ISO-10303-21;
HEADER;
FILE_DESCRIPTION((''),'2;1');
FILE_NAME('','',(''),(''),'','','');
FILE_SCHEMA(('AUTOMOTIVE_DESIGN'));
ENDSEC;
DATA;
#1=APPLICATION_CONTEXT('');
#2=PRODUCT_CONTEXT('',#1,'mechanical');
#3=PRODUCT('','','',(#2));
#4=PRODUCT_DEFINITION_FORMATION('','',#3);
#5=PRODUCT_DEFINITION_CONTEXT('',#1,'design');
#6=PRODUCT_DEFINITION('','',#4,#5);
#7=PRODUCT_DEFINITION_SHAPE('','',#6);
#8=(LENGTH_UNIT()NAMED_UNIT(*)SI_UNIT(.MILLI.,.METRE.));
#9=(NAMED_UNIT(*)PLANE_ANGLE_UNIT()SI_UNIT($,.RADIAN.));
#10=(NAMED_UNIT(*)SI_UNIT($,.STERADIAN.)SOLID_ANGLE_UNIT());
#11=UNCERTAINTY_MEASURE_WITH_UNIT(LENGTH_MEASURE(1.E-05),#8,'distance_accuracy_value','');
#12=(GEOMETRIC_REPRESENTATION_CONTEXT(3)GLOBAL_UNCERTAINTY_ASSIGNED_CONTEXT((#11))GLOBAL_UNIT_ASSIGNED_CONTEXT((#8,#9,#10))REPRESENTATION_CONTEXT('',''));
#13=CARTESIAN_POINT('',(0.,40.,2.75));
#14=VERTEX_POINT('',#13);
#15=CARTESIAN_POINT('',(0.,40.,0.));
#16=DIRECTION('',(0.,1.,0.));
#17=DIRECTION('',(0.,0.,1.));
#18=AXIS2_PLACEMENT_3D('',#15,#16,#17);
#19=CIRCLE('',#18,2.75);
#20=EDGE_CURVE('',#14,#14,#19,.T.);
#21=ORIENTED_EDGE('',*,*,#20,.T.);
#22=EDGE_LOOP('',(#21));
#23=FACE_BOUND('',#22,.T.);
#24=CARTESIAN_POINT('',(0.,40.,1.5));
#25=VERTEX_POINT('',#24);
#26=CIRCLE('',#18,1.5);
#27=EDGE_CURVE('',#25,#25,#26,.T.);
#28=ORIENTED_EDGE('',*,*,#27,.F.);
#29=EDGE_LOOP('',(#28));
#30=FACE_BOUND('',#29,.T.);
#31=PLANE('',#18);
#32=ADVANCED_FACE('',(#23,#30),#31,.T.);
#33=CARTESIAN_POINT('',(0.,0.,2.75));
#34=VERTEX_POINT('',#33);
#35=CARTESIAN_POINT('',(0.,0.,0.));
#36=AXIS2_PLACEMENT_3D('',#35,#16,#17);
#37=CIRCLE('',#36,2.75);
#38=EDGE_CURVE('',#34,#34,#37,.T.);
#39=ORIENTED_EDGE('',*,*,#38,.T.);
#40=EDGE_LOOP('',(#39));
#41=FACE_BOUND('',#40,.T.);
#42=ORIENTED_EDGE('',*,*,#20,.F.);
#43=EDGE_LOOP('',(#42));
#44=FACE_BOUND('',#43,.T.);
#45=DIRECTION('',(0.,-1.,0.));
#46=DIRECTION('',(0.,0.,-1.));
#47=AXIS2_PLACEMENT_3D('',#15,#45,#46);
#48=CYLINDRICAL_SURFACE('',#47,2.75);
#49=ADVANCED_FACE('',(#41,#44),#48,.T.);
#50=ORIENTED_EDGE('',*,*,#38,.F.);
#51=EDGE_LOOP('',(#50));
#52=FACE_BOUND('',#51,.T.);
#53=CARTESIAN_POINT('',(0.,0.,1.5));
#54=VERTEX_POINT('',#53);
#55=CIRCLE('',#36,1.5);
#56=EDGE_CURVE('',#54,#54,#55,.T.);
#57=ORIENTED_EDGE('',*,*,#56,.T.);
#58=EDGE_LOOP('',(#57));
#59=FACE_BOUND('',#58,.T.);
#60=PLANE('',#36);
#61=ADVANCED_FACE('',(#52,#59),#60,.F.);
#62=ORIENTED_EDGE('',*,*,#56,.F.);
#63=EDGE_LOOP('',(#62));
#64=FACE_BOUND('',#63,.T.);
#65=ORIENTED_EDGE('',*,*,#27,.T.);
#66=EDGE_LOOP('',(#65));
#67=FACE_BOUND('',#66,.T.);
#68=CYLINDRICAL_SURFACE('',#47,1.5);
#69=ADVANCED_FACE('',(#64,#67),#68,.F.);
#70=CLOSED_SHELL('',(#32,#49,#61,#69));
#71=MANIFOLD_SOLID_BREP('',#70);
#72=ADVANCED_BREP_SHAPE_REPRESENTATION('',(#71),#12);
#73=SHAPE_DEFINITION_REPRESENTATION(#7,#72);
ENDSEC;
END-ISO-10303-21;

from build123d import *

# Parameters (mm, degrees)
SKETCH1_R           = 2.75
SKETCH1_R_2         = 1.5
BOSS_EXTRUDE1_DEPTH = 40


with BuildPart() as part:
    # Sketch1 → Boss-Extrude1 (new body)
    with BuildSketch(Plane(origin=(0, 0, 0), x_dir=(1, 0, 0), z_dir=(0, 1, 0))):
        with Locations(Location((0, 0, 0), (0, 0, 270))):
            Circle(SKETCH1_R)
        with Locations(Location((0, 0, 0), (0, 0, 270))):
            Circle(SKETCH1_R_2, mode=Mode.SUBTRACT)
    extrude(amount=BOSS_EXTRUDE1_DEPTH)


solid = part.part
